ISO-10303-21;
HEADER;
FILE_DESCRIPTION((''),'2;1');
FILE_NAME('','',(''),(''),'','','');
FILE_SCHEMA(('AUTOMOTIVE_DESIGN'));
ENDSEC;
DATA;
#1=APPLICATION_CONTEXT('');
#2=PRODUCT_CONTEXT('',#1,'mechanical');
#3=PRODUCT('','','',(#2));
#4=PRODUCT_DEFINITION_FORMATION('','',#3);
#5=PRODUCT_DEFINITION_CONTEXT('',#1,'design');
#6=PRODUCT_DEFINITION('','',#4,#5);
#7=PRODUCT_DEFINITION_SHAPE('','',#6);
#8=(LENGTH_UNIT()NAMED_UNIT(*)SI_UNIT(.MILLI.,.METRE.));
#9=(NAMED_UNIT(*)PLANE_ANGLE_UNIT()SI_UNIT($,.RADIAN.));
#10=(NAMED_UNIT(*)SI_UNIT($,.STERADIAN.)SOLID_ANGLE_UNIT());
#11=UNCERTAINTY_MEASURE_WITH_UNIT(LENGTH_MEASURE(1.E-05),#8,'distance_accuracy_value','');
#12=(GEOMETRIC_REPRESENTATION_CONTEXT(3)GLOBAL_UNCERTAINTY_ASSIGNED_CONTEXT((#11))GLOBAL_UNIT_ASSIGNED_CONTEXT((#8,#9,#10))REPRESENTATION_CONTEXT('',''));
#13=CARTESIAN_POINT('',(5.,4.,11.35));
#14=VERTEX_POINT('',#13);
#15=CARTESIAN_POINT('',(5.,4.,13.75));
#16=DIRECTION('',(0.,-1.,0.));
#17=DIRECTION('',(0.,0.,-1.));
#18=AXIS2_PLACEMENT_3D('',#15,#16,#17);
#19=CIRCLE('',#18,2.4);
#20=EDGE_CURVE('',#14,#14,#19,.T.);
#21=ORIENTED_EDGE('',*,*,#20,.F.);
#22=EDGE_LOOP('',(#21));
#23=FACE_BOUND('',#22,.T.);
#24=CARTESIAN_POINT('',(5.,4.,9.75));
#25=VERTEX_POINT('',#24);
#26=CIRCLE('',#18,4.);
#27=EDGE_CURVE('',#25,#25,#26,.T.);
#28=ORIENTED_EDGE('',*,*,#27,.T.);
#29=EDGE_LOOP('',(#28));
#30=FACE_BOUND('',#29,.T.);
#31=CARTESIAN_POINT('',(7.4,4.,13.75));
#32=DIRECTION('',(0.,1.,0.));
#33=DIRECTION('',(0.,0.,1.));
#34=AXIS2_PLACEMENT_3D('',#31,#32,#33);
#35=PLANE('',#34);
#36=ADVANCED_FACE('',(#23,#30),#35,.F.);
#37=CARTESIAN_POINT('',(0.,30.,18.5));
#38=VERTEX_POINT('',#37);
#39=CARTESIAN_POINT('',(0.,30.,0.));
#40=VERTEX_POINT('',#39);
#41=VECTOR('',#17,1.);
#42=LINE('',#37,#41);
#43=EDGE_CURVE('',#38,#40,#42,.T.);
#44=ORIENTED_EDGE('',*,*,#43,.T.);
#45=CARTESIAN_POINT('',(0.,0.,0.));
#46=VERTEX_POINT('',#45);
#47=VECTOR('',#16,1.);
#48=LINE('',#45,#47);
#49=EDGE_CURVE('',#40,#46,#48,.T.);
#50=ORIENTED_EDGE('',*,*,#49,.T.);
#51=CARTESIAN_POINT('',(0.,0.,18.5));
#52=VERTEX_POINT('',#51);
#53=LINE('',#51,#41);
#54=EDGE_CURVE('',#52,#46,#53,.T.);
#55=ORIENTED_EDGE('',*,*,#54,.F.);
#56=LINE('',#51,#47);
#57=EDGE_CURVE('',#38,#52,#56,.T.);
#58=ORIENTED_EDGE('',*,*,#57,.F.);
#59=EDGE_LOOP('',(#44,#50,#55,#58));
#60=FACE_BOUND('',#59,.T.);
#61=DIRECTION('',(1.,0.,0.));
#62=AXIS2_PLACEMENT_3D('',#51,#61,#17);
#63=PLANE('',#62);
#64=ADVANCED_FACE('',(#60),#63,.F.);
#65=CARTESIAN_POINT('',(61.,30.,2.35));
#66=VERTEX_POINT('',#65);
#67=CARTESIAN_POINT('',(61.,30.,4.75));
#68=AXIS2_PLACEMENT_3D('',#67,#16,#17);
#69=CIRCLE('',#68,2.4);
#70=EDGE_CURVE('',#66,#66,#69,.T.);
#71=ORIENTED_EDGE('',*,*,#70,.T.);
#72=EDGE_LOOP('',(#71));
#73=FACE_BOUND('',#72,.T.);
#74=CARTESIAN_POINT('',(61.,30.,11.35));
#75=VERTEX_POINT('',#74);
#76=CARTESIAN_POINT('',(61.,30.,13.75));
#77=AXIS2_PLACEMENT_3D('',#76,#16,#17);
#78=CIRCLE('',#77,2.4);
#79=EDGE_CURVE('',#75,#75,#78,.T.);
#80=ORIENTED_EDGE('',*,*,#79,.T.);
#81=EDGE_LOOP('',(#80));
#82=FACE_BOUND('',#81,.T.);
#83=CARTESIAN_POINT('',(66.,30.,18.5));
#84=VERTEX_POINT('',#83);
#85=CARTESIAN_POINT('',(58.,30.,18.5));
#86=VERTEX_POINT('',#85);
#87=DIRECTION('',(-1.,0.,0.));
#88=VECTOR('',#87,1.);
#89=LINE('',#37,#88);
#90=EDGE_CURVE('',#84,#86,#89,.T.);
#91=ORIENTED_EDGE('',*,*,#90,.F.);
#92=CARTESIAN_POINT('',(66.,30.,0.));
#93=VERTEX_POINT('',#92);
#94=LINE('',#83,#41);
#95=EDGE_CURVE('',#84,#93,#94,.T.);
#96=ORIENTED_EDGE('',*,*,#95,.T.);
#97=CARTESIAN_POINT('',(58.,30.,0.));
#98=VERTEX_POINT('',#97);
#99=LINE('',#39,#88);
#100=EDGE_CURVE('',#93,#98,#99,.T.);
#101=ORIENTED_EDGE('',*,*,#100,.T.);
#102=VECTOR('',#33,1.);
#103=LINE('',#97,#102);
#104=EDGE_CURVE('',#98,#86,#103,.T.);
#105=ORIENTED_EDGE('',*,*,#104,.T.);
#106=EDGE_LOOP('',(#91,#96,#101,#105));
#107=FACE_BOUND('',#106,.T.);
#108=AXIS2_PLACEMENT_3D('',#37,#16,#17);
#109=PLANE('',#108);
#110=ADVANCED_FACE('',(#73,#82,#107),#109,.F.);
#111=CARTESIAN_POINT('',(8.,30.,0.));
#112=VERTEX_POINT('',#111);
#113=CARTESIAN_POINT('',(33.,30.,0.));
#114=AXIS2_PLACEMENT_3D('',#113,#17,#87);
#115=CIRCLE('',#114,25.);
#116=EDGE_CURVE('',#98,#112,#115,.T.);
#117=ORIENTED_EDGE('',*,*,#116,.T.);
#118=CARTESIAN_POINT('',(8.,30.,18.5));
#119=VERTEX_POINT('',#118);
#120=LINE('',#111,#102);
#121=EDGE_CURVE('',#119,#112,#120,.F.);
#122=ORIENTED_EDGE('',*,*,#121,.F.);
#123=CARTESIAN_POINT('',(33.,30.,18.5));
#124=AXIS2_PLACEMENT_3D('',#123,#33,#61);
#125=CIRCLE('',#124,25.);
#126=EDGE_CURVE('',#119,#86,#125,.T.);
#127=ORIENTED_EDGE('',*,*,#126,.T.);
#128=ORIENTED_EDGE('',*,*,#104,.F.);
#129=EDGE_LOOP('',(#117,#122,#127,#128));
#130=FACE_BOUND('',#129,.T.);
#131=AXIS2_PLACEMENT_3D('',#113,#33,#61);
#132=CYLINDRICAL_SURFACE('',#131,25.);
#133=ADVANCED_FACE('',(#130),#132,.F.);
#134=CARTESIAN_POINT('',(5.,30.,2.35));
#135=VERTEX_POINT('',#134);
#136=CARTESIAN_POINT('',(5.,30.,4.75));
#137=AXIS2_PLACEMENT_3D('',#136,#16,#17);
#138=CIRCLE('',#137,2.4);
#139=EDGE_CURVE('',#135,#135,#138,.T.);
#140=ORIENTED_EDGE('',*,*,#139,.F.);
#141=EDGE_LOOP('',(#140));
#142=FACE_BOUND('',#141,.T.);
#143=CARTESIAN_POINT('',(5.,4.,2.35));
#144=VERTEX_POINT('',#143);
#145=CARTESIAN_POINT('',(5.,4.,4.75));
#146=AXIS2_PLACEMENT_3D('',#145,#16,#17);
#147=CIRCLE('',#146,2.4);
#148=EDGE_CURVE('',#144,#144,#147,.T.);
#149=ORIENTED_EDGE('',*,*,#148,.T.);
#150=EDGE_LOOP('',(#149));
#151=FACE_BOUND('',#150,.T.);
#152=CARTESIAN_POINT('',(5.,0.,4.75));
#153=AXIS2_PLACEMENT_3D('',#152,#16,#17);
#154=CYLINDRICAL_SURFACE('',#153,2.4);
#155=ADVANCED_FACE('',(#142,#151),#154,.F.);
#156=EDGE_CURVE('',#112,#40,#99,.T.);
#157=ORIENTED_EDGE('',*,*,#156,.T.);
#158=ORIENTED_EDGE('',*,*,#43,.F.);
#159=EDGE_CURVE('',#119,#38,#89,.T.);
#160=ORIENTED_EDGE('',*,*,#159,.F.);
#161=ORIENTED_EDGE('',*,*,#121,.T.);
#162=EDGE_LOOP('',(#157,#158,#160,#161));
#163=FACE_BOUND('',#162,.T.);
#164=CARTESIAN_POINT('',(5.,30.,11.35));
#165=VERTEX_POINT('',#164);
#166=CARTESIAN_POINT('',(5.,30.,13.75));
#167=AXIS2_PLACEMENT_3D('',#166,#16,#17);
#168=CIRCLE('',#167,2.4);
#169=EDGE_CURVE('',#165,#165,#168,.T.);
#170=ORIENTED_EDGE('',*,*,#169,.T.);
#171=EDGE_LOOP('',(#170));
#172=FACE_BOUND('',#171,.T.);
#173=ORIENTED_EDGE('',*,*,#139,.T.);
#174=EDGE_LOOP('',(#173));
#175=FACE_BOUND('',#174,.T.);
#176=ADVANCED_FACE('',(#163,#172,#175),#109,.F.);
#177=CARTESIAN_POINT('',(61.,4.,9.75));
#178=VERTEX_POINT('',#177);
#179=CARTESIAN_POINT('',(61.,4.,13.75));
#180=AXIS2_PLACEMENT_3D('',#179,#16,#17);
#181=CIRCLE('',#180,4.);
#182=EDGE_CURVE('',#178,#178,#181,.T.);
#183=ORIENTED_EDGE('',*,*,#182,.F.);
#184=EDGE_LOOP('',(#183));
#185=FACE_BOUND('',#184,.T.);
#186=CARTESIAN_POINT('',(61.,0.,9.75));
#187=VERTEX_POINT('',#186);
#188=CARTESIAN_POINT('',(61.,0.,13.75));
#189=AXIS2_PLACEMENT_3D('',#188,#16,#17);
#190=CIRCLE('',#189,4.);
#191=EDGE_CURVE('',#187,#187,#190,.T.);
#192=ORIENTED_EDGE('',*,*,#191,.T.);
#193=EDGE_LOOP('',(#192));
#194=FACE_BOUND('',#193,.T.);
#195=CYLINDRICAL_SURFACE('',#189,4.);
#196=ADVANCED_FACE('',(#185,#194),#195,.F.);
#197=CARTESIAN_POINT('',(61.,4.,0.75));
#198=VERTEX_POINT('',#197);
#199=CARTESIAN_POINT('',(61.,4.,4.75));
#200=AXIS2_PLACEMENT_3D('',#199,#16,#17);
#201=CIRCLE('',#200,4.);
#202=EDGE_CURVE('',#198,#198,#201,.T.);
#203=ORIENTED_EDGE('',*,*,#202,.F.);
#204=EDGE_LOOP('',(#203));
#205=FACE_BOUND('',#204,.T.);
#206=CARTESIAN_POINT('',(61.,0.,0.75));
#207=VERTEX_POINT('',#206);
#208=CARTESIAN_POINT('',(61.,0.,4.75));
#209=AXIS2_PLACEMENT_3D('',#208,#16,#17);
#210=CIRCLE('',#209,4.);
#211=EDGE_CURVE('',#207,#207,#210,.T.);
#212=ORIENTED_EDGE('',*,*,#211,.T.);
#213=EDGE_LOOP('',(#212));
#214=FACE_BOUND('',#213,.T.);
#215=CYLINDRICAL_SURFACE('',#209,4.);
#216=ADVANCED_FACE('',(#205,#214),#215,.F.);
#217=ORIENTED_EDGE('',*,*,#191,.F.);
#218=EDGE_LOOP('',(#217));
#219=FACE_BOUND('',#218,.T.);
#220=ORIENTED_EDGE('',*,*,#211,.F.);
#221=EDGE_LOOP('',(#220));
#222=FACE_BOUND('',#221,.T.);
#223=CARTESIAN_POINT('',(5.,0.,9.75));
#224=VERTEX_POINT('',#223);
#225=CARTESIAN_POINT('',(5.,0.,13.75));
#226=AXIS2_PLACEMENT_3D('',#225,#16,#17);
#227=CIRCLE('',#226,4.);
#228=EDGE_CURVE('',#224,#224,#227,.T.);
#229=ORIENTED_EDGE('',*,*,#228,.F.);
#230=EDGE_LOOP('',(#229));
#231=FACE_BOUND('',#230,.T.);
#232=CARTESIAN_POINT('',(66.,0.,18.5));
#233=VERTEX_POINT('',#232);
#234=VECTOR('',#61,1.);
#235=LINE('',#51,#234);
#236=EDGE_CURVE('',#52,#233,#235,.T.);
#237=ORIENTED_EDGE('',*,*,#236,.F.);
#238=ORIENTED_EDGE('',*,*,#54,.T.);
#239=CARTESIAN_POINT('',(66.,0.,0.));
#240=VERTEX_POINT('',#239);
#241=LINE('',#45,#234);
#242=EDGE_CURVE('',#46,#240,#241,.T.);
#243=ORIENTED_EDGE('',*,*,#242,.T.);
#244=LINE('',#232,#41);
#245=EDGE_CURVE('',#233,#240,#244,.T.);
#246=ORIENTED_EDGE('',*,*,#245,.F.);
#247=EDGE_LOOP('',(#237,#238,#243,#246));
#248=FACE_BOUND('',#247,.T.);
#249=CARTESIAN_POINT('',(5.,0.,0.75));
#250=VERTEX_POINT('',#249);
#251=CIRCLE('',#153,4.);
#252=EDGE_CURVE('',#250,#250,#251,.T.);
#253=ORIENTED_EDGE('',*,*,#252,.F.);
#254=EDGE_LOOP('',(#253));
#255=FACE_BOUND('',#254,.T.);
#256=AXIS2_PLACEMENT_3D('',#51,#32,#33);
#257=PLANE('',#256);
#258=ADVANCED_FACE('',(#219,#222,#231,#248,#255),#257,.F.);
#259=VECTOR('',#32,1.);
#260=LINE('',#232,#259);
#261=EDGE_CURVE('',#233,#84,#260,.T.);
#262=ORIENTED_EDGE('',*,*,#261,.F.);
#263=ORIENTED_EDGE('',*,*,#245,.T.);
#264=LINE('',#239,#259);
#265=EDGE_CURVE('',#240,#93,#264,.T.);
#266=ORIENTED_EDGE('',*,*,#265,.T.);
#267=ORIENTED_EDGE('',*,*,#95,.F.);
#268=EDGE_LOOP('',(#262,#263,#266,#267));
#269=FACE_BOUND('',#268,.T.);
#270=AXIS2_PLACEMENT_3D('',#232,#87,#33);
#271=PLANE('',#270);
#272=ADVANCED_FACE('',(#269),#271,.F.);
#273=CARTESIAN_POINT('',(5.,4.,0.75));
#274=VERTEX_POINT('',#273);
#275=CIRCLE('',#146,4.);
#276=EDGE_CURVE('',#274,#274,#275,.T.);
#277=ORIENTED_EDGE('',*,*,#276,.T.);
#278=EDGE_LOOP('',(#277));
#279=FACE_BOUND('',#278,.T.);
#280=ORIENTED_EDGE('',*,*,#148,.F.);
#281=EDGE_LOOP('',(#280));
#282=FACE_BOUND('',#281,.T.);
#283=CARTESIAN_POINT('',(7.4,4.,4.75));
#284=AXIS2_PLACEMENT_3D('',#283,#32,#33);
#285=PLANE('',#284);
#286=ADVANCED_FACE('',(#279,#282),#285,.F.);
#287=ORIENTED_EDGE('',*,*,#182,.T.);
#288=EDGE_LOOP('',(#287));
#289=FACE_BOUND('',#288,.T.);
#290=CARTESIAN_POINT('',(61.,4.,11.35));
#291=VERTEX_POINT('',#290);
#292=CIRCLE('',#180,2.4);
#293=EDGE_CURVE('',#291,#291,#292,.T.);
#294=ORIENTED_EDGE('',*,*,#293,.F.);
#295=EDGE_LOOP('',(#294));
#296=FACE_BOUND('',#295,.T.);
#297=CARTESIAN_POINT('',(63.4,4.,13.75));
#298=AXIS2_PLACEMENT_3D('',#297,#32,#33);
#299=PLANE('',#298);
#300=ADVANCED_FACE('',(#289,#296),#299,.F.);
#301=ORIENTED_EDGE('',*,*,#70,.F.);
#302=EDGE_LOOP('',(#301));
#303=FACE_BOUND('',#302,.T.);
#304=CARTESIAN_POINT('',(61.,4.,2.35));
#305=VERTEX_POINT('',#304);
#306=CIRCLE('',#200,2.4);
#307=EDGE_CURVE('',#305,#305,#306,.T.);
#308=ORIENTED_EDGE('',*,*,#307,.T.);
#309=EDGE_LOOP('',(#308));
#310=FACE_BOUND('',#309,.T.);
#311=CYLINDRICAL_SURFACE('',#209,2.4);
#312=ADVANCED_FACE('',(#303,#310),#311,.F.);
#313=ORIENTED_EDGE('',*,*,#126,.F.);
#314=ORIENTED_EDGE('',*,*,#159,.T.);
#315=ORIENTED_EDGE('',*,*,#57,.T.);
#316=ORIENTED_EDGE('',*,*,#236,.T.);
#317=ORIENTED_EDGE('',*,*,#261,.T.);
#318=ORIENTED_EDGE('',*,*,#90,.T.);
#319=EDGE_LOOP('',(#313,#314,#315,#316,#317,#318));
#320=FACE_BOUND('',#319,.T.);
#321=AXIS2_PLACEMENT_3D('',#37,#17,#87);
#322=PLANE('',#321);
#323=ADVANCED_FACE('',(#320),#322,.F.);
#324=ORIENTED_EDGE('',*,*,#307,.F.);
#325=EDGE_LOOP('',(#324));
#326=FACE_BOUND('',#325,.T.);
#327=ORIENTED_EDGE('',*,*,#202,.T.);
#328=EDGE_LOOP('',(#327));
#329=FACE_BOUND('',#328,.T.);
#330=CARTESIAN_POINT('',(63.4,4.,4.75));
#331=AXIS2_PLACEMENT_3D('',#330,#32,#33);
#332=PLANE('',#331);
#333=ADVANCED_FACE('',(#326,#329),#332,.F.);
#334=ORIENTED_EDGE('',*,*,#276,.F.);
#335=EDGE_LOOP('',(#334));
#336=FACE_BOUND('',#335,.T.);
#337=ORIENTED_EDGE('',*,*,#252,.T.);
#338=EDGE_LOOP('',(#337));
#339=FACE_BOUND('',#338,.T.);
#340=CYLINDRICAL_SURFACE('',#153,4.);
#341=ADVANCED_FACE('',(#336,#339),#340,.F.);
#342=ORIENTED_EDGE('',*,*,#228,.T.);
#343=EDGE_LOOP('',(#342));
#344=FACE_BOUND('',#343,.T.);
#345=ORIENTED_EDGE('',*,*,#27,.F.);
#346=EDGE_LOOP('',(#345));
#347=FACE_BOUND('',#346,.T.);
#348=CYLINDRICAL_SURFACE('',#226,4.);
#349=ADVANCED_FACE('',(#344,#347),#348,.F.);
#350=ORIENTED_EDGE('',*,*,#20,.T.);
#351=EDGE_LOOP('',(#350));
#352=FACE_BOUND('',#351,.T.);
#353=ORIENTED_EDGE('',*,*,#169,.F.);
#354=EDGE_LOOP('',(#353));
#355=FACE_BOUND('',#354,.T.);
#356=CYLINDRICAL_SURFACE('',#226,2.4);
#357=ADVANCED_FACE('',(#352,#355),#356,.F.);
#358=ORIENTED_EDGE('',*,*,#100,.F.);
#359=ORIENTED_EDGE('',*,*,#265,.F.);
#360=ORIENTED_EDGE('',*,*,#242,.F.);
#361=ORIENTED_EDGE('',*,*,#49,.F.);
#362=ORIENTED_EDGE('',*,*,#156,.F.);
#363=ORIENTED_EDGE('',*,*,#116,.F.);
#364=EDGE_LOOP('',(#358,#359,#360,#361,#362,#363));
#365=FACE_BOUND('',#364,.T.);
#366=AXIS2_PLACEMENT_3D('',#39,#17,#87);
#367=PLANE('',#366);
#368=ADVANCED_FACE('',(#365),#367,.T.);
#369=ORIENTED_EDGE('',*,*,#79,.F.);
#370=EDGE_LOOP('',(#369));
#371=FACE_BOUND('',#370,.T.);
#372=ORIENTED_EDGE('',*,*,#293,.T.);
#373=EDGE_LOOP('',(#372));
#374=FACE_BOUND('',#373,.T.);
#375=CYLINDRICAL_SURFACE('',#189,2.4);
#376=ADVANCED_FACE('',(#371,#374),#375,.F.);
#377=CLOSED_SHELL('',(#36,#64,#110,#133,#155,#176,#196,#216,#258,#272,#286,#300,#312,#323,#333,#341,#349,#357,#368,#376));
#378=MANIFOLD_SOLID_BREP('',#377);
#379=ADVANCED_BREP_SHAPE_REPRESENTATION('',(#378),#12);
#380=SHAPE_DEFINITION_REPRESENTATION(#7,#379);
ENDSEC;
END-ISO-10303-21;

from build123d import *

# Parameters (mm, degrees)
SKETCH_1_W                   = 66
SKETCH_1_H                   = 30
EXTRUDE_1_DEPTH              = 18.5
SKETCH_2_R                   = 25
CUT_EXTRUDE_1_DEPTH          = 75.821454143
HOLE_WIZARD_M4_1_D           = 4.8
HOLE_WIZARD_M4_1_CBORE_D     = 8
HOLE_WIZARD_M4_1_CBORE_DEPTH = 4


with BuildPart() as part:
    # 草图1 → 凸台-拉伸1 (new body)
    with BuildSketch(Plane.XY):
        with Locations((33, 15)):
            Rectangle(SKETCH_1_W, SKETCH_1_H)
    extrude(amount=EXTRUDE_1_DEPTH)

    # 草图2 → 切除-拉伸1 (cut, through all)
    with BuildSketch(Plane.XY.offset(18.5)):
        with Locations((33, 30)):
            Circle(SKETCH_2_R)
    extrude(amount=-CUT_EXTRUDE_1_DEPTH, mode=Mode.SUBTRACT)

    # M4 六角凹头螺钉的柱形沉头孔1 (through all)
    with Locations(Plane.XZ):
        with Locations((5, 13.75), (5, 4.75), (61, 13.75), (61, 4.75)):
            CounterBoreHole(HOLE_WIZARD_M4_1_D / 2, HOLE_WIZARD_M4_1_CBORE_D / 2, HOLE_WIZARD_M4_1_CBORE_DEPTH)


solid = part.part
